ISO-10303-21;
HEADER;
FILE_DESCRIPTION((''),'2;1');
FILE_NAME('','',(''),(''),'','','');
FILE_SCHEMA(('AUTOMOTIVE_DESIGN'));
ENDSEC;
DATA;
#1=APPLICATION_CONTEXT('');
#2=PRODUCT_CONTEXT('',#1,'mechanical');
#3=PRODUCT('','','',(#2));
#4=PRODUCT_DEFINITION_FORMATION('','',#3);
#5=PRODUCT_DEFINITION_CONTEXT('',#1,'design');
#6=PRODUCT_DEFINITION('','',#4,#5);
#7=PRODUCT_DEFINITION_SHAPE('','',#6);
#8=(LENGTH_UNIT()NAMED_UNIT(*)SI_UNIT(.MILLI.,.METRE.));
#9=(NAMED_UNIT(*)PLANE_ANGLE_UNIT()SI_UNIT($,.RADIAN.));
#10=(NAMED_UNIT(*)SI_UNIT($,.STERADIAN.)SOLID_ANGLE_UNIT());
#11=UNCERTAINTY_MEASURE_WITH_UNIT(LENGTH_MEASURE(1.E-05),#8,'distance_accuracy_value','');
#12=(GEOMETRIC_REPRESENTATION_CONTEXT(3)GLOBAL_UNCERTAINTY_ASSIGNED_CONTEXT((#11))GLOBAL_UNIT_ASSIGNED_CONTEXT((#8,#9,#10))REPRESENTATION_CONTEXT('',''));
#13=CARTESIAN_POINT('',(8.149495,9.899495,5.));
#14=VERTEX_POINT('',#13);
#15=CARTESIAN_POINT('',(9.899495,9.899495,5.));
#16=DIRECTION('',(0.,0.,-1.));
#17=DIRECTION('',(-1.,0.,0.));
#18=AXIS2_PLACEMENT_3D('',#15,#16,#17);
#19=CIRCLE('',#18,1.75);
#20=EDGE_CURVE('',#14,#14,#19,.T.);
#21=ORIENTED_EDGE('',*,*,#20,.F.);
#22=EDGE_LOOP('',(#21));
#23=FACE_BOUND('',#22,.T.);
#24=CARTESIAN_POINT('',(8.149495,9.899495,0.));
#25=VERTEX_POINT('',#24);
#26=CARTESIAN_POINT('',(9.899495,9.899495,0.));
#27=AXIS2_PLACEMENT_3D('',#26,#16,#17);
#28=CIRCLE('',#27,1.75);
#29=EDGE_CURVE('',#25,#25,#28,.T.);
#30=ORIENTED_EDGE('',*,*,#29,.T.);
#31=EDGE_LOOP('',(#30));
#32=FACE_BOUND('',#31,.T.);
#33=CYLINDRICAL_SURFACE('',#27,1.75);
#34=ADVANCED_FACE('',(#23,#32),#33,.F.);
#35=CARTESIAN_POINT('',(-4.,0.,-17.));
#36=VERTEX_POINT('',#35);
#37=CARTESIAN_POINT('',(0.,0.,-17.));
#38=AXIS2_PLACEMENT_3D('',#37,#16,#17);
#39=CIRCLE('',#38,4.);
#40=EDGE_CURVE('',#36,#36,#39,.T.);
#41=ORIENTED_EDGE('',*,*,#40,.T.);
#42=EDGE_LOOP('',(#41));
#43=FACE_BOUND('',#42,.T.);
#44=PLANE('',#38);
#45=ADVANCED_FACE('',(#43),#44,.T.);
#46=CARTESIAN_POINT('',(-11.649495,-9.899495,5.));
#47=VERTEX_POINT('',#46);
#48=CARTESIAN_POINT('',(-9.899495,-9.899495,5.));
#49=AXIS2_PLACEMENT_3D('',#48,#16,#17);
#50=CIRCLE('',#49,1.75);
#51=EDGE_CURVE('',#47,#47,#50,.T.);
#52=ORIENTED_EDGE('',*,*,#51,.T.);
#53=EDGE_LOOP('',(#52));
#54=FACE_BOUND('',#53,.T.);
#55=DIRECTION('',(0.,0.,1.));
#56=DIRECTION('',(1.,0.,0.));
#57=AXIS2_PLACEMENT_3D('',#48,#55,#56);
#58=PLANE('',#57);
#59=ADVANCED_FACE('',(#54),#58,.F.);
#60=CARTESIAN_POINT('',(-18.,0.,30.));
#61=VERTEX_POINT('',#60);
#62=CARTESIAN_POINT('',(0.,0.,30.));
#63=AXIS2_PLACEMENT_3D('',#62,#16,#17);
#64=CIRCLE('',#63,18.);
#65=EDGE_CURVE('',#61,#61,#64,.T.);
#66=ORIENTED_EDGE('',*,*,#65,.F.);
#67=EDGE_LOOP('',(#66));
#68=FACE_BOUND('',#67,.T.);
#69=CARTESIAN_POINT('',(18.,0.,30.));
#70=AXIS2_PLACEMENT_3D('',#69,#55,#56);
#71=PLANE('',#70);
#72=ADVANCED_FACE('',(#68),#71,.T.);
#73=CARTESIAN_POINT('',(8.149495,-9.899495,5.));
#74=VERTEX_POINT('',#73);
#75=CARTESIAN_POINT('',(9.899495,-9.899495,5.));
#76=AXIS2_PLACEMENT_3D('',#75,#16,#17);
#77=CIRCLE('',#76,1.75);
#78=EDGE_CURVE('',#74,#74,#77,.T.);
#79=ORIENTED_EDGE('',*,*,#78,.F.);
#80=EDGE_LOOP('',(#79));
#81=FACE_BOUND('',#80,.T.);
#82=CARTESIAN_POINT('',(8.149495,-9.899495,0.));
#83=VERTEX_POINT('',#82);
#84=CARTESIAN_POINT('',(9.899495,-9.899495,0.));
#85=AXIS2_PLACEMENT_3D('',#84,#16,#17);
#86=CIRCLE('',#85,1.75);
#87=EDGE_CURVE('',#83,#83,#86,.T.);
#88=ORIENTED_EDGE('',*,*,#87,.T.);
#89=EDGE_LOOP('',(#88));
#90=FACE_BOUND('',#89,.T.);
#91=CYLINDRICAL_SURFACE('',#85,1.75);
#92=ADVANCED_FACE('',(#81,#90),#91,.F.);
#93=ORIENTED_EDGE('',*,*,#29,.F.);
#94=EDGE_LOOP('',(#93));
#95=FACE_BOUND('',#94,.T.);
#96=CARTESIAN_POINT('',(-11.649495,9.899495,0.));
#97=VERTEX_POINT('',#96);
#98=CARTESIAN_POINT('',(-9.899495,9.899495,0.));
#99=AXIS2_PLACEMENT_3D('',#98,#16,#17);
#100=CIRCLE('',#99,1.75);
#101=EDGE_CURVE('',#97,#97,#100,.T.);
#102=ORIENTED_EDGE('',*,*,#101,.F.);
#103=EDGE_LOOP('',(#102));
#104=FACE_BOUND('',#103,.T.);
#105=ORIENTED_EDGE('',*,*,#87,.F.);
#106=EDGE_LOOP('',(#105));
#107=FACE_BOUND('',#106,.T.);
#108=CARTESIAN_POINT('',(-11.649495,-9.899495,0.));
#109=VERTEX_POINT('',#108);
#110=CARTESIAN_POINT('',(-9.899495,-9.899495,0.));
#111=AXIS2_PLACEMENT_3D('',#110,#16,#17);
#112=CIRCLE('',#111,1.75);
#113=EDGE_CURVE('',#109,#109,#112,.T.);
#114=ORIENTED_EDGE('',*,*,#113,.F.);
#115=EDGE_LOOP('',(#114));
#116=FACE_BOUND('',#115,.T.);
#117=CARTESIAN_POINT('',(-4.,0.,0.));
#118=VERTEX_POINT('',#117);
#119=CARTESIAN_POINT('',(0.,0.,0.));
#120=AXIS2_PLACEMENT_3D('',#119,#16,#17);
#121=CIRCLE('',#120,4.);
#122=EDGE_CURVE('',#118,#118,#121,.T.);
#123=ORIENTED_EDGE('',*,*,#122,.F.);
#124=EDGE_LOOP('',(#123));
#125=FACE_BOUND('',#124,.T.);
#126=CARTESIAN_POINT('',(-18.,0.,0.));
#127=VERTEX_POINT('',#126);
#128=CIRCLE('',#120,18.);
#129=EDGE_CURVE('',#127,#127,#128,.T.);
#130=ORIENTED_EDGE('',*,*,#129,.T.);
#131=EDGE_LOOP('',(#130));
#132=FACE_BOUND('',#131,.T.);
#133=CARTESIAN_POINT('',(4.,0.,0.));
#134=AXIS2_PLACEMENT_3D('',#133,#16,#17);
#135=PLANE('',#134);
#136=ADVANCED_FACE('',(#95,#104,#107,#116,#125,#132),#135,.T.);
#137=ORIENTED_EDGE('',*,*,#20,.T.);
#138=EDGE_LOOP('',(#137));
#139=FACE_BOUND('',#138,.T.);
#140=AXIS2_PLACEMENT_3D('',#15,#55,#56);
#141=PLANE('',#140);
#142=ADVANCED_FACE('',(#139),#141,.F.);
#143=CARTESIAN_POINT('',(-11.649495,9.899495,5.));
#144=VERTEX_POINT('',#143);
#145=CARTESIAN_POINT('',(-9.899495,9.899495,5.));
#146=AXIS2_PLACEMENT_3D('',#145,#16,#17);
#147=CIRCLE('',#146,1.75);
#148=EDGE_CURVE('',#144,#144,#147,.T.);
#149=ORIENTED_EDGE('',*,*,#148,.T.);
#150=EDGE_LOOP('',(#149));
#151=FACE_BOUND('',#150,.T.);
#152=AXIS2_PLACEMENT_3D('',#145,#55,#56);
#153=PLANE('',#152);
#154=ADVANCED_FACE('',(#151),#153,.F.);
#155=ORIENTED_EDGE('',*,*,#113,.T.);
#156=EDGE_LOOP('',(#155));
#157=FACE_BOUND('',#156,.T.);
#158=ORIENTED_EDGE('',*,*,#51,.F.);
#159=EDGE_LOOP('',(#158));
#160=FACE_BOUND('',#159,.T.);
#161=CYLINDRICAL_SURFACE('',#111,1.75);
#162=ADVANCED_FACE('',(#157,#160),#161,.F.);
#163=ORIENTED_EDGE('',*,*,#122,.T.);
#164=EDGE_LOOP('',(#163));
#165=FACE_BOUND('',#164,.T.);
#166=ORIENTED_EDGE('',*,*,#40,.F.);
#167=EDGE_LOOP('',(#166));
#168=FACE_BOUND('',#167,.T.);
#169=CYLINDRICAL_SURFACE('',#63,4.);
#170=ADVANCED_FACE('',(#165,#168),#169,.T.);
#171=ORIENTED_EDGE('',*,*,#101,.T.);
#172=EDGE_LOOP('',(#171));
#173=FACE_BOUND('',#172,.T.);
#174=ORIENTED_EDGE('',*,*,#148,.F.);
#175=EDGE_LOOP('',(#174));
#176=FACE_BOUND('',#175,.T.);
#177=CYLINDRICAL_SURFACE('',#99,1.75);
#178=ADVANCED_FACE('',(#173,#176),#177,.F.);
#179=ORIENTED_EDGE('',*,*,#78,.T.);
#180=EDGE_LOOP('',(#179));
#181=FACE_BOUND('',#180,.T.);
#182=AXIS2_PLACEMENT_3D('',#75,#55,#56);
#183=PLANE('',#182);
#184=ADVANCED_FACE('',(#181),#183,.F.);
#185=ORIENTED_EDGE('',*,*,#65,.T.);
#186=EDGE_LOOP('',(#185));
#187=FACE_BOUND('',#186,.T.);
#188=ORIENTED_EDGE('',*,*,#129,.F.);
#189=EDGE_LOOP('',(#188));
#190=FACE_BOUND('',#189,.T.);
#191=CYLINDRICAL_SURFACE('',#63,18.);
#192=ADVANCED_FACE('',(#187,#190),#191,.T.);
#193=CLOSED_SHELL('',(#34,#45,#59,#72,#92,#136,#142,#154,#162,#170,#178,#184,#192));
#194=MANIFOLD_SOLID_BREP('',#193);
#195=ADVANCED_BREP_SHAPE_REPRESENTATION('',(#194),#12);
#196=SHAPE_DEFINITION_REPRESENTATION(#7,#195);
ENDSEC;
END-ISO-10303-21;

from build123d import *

# Parameters (mm, degrees)
F_3_5_3_5_DIAMETER_HOLE1_D     = 3.5
F_3_5_3_5_DIAMETER_HOLE1_DEPTH = 5


with BuildPart() as part:
    # Sketch2 → Revolve1 (revolve)
    with BuildSketch(Plane.XZ, mode=Mode.PRIVATE) as revolve1_sk:
        Polygon((18, 30), (0, 30), (0, -17), (4, -17), (4, 0), (18, 0), align=None)
    revolve(revolve1_sk.sketch.rotate(Axis((0, 0, 30), (0, 0, -1)), 180), axis=Axis((0, 0, 30), (0, 0, -1)))

    # Ø3.5 (3.5) Diameter Hole1
    with Locations(Plane(origin=(0, 0, 0), x_dir=(-1, 0, 0), z_dir=(0, 0, -1))):
        with Locations((9.899494937, 9.899494937), (-9.899494937, -9.899494937), (9.899494937, -9.899494937), (-9.899494937, 9.899494937)):
            Hole(F_3_5_3_5_DIAMETER_HOLE1_D / 2, depth=F_3_5_3_5_DIAMETER_HOLE1_DEPTH)


solid = part.part
